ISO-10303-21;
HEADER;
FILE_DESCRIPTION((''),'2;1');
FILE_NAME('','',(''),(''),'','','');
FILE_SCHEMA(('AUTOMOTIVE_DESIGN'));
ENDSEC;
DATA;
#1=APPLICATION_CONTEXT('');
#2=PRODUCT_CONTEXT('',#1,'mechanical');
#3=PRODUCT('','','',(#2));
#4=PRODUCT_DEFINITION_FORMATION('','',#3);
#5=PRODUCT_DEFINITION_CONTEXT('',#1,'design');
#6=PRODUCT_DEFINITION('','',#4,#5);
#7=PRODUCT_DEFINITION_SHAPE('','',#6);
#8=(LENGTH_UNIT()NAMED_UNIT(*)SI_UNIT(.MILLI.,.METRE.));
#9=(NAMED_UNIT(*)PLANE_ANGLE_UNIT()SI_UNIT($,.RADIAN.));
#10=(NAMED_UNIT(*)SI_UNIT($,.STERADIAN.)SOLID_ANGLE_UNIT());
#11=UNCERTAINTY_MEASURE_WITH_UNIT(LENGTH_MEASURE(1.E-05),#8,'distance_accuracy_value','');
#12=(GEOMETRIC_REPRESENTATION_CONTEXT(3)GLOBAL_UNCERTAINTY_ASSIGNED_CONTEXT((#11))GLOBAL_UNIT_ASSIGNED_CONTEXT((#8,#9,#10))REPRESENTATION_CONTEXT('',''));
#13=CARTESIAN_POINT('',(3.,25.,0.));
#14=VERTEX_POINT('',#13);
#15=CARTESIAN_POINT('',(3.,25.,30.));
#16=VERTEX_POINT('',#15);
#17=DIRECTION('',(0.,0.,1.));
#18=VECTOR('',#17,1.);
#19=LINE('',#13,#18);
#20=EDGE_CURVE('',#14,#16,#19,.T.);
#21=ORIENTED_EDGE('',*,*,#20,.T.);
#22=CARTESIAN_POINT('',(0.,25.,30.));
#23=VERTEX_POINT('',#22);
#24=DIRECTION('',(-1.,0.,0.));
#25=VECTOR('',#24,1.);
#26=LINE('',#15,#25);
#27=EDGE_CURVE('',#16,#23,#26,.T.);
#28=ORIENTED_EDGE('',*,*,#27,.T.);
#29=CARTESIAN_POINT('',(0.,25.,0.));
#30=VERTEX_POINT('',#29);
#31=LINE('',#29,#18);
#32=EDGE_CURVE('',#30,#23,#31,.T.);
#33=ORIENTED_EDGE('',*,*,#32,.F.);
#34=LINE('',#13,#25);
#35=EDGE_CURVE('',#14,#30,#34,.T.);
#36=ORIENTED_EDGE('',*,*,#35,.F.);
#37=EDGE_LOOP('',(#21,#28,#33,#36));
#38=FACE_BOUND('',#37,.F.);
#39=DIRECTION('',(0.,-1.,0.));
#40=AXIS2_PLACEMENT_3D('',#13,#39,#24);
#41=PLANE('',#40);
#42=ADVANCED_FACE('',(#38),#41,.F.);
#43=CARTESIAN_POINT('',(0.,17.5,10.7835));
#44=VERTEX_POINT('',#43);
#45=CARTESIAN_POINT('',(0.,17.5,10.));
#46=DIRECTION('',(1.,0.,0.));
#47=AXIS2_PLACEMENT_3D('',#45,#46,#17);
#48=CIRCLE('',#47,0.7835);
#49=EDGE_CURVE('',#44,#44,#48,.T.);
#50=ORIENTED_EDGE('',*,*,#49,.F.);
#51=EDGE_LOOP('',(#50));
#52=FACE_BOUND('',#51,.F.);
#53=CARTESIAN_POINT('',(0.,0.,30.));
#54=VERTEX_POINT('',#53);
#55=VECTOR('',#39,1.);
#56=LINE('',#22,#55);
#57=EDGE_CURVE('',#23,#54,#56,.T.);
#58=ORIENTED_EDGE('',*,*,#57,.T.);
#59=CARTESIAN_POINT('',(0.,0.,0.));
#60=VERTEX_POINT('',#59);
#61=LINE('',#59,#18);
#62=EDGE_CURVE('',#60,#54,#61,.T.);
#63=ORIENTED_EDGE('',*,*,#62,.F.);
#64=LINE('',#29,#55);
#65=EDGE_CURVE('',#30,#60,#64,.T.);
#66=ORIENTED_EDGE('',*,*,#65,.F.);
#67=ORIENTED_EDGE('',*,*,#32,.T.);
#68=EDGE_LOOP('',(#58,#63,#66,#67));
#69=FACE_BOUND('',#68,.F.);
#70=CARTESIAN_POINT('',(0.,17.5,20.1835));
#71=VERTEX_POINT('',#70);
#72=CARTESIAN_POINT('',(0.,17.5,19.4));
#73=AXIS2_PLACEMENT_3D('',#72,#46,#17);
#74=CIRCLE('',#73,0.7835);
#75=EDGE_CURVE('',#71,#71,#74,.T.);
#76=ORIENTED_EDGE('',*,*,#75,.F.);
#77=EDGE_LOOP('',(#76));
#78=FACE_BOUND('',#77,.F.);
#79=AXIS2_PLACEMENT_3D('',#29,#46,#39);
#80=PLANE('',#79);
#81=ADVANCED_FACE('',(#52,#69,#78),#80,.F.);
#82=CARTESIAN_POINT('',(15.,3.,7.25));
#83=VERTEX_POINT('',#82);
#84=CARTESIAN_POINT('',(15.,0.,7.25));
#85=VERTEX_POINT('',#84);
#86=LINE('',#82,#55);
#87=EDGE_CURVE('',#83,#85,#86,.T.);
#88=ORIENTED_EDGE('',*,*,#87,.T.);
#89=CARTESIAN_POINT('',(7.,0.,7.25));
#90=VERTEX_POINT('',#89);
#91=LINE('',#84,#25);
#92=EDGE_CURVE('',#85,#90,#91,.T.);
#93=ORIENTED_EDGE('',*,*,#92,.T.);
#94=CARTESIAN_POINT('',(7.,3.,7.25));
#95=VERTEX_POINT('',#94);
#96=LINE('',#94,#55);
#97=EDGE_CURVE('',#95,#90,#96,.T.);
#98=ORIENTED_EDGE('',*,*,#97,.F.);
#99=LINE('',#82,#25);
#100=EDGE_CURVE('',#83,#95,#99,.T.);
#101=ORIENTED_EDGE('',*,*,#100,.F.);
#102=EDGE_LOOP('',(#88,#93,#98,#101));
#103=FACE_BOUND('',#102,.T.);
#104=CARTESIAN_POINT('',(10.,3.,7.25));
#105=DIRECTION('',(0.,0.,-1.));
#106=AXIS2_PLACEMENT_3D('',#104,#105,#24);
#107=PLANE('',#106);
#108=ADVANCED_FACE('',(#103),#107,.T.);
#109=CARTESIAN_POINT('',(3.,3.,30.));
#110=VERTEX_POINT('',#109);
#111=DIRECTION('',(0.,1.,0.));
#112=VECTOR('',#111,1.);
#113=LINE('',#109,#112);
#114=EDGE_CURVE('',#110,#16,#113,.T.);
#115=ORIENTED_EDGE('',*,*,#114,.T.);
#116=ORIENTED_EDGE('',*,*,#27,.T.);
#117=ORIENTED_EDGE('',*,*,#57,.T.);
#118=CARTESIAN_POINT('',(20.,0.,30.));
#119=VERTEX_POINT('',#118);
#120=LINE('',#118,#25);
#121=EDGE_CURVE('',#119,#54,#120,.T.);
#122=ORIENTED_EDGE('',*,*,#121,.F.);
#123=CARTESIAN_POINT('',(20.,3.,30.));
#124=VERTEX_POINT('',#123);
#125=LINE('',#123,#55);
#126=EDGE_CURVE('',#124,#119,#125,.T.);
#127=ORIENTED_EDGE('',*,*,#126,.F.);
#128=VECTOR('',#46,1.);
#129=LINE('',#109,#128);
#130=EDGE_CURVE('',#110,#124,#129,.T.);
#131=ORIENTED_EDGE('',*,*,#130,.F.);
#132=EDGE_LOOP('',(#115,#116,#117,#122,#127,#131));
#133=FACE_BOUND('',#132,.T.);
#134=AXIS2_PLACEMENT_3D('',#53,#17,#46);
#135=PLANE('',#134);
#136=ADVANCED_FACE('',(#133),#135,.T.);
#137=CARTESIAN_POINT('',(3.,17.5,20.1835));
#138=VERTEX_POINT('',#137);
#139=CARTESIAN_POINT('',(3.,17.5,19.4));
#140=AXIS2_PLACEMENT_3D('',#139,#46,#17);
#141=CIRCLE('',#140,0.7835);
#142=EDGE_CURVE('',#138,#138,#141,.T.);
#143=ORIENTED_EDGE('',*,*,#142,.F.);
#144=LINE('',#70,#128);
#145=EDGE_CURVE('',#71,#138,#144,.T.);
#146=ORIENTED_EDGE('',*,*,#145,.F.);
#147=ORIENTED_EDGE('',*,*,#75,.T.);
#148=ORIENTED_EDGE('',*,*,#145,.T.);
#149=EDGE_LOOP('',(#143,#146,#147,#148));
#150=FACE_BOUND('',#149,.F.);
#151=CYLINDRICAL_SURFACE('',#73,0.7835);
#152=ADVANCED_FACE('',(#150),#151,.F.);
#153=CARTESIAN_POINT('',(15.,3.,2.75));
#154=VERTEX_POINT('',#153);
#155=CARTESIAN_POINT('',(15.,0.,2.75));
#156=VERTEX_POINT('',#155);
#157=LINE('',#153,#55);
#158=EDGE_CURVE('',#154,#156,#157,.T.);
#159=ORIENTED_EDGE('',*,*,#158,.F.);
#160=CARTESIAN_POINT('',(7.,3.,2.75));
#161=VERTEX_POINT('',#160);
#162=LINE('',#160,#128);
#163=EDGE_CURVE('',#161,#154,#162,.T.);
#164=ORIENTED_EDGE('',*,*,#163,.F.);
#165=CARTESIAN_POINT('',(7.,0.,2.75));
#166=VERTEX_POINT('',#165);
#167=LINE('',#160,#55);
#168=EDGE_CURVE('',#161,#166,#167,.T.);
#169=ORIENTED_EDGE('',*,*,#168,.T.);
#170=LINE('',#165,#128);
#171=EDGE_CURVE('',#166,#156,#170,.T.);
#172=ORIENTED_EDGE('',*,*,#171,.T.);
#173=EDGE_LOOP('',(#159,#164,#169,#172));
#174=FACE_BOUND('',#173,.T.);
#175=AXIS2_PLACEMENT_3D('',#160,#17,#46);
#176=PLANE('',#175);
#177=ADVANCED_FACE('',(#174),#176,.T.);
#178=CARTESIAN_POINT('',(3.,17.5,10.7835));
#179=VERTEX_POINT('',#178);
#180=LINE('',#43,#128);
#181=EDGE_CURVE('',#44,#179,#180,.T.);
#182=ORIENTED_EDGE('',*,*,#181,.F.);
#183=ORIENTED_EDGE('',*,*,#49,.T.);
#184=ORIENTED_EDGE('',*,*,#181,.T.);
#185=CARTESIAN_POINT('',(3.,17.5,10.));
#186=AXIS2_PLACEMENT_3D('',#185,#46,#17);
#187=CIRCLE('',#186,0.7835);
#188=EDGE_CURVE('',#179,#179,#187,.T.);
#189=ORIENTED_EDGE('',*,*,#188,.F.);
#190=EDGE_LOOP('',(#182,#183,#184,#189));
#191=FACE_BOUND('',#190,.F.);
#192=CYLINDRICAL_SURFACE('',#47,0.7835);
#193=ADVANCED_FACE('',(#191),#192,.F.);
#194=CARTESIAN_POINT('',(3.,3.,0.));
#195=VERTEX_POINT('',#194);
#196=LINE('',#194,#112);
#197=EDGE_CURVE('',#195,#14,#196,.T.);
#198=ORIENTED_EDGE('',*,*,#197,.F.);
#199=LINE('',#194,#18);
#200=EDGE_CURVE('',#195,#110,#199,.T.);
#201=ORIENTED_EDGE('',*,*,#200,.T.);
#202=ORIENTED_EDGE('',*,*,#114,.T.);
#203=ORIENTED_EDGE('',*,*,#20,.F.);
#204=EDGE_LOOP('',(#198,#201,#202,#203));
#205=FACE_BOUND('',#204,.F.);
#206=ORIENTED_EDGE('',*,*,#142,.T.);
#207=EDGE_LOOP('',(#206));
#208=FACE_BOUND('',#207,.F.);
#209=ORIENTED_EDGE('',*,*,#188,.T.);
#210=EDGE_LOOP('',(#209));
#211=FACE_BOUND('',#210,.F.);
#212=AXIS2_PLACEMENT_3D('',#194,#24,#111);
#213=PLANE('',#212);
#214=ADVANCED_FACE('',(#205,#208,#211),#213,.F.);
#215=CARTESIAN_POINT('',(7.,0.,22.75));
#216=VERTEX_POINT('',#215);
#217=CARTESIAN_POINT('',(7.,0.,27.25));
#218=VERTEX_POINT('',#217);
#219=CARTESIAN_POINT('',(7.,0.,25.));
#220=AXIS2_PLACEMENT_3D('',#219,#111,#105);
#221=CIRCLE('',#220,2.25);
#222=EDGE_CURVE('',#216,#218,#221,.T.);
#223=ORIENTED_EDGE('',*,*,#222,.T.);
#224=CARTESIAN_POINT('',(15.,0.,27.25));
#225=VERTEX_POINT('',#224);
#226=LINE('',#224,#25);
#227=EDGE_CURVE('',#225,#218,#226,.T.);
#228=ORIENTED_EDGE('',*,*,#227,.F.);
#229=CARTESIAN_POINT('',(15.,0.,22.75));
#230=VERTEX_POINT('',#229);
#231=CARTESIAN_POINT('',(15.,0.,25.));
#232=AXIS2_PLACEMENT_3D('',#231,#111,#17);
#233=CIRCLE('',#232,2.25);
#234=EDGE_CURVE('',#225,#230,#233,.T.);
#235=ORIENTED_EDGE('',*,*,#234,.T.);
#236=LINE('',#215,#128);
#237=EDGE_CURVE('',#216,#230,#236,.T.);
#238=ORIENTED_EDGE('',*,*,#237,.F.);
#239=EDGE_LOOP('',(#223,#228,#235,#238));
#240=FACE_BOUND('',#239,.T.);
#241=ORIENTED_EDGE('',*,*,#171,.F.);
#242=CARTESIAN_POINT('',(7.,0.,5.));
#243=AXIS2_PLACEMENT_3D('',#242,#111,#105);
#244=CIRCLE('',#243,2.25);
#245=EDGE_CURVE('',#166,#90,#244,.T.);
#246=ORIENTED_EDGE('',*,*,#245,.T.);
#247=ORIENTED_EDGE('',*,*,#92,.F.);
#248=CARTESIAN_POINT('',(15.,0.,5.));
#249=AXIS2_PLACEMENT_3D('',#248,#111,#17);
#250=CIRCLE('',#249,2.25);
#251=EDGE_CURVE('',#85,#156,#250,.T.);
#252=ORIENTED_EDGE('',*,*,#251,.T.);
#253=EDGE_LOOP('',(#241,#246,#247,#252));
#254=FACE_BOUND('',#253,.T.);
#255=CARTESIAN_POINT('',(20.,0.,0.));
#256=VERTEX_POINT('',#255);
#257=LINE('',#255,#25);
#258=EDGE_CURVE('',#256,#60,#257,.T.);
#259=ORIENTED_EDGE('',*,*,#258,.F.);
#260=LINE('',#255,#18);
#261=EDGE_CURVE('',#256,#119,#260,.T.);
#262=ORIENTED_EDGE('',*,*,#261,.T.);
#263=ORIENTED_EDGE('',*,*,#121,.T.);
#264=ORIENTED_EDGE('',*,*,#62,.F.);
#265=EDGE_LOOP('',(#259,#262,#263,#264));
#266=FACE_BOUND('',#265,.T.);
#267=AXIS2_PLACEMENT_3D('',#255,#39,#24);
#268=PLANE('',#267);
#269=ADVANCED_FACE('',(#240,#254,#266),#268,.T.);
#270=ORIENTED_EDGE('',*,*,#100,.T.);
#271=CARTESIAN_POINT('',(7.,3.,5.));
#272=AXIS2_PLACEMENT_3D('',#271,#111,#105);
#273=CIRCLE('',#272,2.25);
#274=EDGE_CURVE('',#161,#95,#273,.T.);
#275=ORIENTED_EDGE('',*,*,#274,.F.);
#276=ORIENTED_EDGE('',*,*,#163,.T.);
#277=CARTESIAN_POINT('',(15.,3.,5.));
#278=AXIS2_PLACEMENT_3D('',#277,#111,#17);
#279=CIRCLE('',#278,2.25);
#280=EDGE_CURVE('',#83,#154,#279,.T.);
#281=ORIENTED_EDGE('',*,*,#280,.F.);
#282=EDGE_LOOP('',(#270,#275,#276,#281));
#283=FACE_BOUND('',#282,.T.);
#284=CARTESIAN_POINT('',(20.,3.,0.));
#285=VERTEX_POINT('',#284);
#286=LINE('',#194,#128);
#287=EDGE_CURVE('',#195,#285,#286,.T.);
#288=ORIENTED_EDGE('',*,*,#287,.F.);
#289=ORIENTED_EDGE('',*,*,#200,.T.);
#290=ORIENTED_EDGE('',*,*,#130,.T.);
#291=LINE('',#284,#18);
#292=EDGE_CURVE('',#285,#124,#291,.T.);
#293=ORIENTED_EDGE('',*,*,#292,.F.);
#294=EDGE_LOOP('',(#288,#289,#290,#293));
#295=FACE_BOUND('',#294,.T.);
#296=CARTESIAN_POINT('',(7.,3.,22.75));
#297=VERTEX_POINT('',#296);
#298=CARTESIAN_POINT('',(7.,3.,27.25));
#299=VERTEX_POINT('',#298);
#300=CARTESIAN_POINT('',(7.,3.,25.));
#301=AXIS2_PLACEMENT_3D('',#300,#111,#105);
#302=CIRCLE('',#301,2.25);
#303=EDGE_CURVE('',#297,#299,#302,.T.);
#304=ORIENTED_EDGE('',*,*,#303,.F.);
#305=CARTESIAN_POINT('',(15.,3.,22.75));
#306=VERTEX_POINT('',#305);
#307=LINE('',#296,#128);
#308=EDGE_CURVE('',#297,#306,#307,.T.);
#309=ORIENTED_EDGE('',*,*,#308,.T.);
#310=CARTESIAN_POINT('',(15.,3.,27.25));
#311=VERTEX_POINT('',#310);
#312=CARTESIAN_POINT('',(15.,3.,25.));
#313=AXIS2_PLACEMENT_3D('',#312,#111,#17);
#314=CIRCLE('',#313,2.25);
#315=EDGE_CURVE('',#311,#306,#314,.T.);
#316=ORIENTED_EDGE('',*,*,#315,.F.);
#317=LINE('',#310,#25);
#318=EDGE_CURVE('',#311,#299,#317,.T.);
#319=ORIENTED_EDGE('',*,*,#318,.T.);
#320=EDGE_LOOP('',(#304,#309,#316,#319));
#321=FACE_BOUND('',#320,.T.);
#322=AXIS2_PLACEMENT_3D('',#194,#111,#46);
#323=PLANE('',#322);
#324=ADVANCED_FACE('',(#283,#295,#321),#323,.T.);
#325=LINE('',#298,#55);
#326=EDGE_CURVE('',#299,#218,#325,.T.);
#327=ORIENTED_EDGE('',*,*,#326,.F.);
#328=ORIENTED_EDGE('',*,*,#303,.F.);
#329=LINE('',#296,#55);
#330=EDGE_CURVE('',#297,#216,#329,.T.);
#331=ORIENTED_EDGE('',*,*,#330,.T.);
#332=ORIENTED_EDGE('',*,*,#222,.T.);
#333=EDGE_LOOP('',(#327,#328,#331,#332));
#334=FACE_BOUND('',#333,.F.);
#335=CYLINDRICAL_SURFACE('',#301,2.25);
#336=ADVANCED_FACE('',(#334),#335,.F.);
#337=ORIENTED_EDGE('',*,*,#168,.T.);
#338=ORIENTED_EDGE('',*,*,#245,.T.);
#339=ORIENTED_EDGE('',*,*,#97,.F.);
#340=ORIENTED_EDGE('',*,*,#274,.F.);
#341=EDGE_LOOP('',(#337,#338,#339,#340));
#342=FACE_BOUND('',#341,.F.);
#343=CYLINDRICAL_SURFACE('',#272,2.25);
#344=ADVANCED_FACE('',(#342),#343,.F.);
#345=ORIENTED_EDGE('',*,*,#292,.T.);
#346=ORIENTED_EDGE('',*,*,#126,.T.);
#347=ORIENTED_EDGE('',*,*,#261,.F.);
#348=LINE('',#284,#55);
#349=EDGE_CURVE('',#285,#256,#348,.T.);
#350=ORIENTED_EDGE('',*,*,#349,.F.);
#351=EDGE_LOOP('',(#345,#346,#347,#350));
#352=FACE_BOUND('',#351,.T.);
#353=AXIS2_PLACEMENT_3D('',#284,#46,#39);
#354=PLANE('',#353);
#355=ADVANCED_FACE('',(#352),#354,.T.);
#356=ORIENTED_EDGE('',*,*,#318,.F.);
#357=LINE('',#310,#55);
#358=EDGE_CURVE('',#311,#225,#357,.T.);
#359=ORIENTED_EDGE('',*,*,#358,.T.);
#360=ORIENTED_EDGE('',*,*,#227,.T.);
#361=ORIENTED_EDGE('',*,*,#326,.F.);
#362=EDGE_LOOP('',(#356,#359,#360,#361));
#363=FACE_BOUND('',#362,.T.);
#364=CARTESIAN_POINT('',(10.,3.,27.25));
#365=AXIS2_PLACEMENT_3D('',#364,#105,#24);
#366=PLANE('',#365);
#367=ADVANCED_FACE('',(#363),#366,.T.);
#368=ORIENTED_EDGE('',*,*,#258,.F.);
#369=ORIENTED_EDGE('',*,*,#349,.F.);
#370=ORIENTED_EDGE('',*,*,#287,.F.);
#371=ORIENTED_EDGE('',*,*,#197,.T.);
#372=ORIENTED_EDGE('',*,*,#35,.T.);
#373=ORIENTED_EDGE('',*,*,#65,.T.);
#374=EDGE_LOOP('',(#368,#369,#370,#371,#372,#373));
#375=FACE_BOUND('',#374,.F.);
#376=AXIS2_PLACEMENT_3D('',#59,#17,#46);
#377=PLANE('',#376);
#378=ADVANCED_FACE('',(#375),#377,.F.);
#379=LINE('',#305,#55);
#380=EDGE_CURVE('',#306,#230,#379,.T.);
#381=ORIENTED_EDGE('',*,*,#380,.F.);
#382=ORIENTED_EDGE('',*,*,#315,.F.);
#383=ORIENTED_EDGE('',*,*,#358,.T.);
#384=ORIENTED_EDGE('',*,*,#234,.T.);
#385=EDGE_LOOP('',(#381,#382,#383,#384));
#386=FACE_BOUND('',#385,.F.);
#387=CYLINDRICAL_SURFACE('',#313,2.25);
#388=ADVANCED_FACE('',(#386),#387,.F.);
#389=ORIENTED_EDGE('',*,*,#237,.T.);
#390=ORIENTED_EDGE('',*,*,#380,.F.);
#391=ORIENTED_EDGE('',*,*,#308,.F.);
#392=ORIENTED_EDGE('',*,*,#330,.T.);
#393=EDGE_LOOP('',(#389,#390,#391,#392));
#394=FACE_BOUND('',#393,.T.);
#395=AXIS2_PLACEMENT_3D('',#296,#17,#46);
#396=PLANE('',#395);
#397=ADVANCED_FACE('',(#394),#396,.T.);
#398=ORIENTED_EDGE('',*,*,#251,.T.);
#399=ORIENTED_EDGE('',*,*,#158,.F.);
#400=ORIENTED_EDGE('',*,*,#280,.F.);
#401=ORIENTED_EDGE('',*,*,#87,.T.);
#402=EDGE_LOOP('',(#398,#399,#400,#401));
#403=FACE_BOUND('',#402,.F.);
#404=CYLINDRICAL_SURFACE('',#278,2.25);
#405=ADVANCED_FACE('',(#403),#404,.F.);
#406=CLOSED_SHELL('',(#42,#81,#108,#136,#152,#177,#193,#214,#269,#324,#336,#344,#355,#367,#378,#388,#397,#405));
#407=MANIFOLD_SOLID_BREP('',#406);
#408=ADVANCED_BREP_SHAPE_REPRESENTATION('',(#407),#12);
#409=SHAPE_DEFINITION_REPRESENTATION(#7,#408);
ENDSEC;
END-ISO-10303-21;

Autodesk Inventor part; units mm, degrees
ref_plane "YZ Plane" through (0, 0, 0) normal (1, 0, 0) x (0, 1, 0)
ref_plane "XZ Plane" through (0, 0, 0) normal (0, 1, 0) x (-1, 0, 0)
ref_plane "XY Plane" through (0, 0, 0) normal (0, 0, 1) x (1, 0, 0)
sketch "Skizze1" plane through (0, 0, 0) normal (0, 0, 1) x (1, 0, 0)
  line L0 (3, 3) -> (3, 25)
  line L1 (3, 25) -> (0, 25)
  line L2 (0, 25) -> (0, 0)
  line L3 (3, 3) -> (20, 3)
  line L4 (20, 3) -> (20, 0)
  line L5 (20, 0) -> (0, 0)
  dimension "d0" = 25
  dimension "d1" = 20
  dimension "d2" = 3
extrude "Extrusion1" add sketch "Skizze1" along normal blind 30
sketch "Skizze2" plane through (0, 0, 0) normal (0, -1, 0) x (1, 0, 0)
  line L0 (20, 30) -> (0, 30) projected
  line L1 (0, 0) -> (0, 30) projected
  line L2 (20, 0) -> (0, 0) projected
  line L3 (20, 0) -> (20, 30) projected
  line L4 (10, 30) -> (10, 0)
  line L5 (0, 15) -> (20, 15)
  point P0 (10, 25)
  point P1 (10, 5)
  dimension "d5" = 20
  dimension "d6" = 10
hole "Bohrung1" at (10, 0, 25) at (10, 0, 5) direction (0, 1, 0) diameter 4.5 end through all
sketch "Skizze3" plane through (3, 3, 0) normal (0, 1, 0) x (1, 0, 0)
  circle A0 centre (7, -25) radius 2.25 projected
  line L0 (17, 0) -> (17, -30) projected
  line L1 (4, -22.75) -> (12, -22.75)
  line L2 (12, -27.25) -> (4, -27.25)
  arc A1 (4, -22.75) -> (4, -27.25) centre (4, -25) ccw
  arc A2 (12, -27.25) -> (12, -22.75) centre (12, -25) ccw
  point P0 (-3, 0)
  dimension "d14" = 5
  dimension "d15" = 8
extrude "Extrusion2" cut sketch "Skizze3" against normal through all contours A0 L1 A2 L2 | A0 L2 A1 L1
pattern_linear "Rechteckige Anordnung1" count 2 spacing 20 along (0, 0, -1) of "Extrusion2"
sketch "Skizze4" plane through (0, 0, 0) normal (-1, 0, 0) x (0, 0, 1)
  circle A0 centre (10, 17.5) radius 1.1 projected
  circle A1 centre (19.4, 17.5) radius 1.1 projected
hole "Bohrung2" at (0, 17.5, 10) at (0, 17.5, 19.4) direction (1, 0, 0) diameter 1.567 end through all thread size "M2x0.4" class "6H" standard "ISO Metric profile"
properties part number "13_0204_067"
